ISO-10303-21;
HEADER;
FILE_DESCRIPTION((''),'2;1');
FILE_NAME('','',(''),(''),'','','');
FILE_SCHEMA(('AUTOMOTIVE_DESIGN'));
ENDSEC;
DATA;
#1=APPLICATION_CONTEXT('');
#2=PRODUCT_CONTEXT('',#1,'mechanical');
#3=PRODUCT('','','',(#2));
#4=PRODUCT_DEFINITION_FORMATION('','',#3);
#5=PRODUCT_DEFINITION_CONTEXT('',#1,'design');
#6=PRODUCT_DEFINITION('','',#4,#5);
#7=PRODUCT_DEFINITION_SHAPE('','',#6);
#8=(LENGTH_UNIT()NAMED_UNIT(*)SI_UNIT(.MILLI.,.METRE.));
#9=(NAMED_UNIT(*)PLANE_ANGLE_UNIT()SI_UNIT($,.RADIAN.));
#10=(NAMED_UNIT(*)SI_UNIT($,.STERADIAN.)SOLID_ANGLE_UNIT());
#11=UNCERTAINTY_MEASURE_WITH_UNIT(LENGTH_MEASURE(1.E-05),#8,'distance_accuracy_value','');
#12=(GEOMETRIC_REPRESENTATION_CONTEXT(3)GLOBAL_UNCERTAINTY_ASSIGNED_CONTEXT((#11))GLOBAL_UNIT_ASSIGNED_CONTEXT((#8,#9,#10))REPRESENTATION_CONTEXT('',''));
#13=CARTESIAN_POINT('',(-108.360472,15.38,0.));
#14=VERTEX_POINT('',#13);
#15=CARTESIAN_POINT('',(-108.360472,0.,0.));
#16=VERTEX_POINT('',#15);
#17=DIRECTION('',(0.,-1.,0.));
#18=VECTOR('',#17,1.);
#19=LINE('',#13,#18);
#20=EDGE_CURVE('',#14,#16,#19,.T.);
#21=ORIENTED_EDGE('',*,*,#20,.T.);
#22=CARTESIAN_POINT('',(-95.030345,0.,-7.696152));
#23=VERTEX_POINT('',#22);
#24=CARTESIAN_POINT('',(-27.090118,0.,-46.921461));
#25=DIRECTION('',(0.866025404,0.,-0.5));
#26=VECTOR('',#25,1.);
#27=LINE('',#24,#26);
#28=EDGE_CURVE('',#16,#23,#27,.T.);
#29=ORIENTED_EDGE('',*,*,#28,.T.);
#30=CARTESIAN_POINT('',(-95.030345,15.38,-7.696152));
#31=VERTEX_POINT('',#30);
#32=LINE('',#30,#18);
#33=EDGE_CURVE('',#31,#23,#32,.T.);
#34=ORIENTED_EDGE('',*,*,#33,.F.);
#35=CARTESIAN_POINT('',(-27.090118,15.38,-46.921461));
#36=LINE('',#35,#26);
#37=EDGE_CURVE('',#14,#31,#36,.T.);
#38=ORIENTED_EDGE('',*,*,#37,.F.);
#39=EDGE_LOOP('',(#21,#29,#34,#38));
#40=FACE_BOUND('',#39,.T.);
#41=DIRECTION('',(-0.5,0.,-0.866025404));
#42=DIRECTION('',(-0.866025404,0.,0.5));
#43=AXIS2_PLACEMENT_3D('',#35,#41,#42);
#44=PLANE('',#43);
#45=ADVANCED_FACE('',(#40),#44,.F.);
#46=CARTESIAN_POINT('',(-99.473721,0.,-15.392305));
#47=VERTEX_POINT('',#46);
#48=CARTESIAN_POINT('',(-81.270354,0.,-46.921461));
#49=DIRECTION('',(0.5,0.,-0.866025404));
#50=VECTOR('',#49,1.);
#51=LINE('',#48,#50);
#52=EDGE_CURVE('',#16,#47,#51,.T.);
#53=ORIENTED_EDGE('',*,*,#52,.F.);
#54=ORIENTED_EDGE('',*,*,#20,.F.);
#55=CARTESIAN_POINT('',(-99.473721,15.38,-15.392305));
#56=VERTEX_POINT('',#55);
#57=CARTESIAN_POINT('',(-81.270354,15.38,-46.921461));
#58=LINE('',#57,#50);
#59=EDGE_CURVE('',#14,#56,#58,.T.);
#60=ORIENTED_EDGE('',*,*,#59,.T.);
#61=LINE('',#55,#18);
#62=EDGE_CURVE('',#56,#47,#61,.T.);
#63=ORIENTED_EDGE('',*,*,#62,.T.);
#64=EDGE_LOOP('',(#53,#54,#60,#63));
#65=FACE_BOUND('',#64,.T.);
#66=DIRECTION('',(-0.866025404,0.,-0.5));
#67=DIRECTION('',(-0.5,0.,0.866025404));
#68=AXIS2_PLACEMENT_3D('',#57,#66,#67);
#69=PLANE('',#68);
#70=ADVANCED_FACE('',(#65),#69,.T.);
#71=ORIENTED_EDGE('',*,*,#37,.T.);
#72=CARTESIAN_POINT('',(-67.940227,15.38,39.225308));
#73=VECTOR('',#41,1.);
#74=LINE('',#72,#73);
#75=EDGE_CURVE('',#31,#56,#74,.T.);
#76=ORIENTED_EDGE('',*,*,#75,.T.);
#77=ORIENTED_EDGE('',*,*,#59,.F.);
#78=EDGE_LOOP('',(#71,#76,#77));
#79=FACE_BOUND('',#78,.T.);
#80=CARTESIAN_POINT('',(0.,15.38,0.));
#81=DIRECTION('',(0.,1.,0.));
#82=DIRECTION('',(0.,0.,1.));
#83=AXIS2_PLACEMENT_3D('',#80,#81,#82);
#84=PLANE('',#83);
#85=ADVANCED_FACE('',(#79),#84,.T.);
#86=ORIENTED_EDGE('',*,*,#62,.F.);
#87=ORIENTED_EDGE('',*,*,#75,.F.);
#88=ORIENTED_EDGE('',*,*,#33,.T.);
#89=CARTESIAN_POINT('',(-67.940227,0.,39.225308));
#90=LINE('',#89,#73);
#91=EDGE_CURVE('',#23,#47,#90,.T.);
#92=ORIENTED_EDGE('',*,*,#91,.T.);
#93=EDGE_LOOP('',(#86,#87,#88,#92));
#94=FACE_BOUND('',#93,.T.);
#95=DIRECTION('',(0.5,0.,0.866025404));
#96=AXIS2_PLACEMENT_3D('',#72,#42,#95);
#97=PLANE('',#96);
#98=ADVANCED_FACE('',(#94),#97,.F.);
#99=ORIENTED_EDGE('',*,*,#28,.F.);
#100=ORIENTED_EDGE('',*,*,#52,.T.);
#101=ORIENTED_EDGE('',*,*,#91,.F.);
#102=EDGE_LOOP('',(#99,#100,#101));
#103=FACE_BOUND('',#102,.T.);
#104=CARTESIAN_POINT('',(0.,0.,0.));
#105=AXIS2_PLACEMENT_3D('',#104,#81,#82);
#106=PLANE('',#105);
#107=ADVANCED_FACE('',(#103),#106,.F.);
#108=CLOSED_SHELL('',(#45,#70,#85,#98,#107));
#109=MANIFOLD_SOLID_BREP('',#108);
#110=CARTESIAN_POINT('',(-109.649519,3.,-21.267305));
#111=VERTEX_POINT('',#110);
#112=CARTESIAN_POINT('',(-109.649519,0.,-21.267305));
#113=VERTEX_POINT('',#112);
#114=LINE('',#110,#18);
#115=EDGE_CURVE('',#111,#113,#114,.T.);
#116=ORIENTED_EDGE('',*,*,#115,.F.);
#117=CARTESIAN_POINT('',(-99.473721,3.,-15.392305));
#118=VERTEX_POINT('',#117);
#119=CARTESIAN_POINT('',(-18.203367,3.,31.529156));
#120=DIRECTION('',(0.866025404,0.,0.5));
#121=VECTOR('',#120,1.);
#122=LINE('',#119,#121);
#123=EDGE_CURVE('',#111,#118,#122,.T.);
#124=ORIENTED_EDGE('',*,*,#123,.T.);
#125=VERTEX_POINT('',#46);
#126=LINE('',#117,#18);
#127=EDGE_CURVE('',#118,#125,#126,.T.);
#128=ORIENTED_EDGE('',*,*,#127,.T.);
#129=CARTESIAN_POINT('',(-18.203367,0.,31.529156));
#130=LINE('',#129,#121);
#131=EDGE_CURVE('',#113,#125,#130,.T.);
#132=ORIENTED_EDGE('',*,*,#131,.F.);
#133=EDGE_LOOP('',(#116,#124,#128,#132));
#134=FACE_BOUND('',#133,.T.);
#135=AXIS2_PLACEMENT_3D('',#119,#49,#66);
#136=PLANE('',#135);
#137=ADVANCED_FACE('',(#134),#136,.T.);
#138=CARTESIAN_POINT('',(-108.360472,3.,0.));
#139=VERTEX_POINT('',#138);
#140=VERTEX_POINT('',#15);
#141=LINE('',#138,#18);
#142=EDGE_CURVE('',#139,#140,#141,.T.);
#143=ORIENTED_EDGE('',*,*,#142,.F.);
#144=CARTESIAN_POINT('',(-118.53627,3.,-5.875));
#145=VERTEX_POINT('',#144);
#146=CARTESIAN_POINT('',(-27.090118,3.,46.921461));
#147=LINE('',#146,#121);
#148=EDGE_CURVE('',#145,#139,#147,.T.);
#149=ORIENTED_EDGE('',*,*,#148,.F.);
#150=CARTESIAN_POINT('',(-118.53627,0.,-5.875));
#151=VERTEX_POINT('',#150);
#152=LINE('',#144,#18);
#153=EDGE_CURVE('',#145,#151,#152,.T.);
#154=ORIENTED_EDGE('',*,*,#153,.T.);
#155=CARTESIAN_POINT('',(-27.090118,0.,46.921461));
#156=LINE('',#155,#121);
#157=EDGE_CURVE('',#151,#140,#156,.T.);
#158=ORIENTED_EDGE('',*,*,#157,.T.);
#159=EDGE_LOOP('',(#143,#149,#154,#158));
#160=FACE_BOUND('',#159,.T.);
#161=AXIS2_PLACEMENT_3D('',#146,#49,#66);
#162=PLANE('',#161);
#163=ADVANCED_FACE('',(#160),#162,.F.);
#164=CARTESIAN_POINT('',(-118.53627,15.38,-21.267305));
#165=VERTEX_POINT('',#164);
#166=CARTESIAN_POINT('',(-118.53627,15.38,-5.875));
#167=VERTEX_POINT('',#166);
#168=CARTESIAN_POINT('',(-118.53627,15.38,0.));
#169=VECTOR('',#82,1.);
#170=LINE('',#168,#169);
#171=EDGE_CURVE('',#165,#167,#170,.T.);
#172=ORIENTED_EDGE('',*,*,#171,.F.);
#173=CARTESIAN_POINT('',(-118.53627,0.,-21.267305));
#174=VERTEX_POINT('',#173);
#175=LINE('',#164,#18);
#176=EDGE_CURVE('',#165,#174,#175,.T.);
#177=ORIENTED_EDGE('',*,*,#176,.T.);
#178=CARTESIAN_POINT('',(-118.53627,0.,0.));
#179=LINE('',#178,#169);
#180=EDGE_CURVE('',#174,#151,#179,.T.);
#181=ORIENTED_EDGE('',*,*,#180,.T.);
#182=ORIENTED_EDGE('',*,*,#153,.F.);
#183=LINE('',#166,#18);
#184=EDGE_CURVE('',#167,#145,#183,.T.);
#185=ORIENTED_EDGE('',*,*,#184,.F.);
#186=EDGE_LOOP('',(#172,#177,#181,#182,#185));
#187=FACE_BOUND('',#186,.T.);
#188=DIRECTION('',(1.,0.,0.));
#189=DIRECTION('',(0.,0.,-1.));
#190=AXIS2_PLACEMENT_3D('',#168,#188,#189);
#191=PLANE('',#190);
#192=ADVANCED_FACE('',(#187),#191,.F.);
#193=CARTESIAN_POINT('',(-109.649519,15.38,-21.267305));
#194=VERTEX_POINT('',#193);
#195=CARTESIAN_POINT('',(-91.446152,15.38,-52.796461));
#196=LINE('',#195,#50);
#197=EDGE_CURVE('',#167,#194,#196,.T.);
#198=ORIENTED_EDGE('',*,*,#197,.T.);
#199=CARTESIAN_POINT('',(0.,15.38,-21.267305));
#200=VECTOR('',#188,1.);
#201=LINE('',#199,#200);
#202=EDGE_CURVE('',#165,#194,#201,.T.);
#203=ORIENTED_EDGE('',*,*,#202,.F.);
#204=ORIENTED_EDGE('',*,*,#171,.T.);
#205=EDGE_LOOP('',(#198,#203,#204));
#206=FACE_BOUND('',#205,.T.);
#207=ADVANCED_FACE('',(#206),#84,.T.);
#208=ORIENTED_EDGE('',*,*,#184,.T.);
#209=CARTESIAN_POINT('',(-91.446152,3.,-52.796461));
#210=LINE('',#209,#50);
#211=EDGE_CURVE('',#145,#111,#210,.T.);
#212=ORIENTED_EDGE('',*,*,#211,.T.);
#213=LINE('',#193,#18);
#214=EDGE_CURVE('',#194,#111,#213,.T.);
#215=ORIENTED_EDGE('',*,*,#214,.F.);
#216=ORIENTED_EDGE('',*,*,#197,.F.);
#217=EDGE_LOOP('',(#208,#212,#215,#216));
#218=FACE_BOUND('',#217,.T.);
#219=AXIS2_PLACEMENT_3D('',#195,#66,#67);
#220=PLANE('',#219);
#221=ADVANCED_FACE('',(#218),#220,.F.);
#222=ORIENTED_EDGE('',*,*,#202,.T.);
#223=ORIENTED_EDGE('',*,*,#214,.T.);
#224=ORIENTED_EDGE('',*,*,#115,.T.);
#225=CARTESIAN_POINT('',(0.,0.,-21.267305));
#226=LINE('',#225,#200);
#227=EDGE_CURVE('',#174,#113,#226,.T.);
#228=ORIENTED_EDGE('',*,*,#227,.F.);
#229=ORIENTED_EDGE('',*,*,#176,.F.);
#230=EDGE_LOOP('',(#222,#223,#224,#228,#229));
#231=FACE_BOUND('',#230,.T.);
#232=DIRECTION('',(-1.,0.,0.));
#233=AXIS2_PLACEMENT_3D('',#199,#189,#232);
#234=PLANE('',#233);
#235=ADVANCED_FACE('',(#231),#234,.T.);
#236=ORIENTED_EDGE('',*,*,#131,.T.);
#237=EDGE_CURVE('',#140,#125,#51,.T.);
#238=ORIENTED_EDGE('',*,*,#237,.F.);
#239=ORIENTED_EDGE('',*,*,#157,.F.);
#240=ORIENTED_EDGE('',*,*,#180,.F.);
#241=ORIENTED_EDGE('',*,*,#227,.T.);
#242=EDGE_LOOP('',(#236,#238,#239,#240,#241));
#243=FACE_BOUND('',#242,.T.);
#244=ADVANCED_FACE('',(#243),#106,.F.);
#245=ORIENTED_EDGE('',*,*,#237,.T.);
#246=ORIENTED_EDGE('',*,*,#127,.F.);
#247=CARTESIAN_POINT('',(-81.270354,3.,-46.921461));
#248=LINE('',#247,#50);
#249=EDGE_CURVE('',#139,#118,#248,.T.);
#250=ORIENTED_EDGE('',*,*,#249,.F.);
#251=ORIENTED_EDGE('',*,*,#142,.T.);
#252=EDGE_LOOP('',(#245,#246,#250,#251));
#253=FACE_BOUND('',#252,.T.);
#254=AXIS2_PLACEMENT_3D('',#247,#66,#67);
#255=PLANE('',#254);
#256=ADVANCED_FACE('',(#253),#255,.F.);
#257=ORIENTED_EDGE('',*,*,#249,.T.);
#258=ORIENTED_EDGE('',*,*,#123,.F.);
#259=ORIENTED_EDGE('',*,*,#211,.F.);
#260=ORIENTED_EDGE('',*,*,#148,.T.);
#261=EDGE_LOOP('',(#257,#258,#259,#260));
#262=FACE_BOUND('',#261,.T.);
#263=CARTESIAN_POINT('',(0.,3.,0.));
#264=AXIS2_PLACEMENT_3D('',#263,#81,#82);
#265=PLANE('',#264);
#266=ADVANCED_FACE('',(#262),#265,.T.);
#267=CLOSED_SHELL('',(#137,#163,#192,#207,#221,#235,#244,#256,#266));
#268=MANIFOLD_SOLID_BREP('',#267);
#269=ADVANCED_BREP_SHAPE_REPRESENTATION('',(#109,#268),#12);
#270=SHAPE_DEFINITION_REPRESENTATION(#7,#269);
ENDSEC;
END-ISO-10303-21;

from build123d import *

# Parameters (mm, degrees)
BOSS_EXTRUDE3_DEPTH   = 15.38
BOSS_EXTRUDE3_2_DEPTH = 15.38
BOSS_EXTRUDE7_DEPTH   = 3


with BuildPart() as part:
    # Sketch1 → Boss-Extrude3 (new body)
    with BuildSketch(Plane(origin=(0, 0, 0), x_dir=(1, 0, 0), z_dir=(0, 1, 0))):
        Polygon((-108.360471904, 0), (-99.473720558, 15.392304845), (-95.030344885, 7.696152423), align=None)
    extrude(amount=BOSS_EXTRUDE3_DEPTH)


with BuildPart() as body_2:
    # Sketch1 → Boss-Extrude3 2 (new body)
    with BuildSketch(Plane(origin=(0, 0, 0), x_dir=(1, 0, 0), z_dir=(0, 1, 0))):
        Polygon((-118.536270399, 21.267304845), (-109.649519053, 21.267304845), (-118.536270399, 5.875), align=None)
    extrude(amount=BOSS_EXTRUDE3_2_DEPTH)

    # Sketch1<8> → Boss-Extrude7 (add)
    with BuildSketch(Plane(origin=(0, 0, 0), x_dir=(1, 0, 0), z_dir=(0, 1, 0))):
        Polygon((-99.473720558, 15.392304845), (-109.649519053, 21.267304845), (-118.536270399, 5.875), (-108.360471904, 0), align=None)
    extrude(amount=BOSS_EXTRUDE7_DEPTH)


solid = Compound([part.part, body_2.part])
